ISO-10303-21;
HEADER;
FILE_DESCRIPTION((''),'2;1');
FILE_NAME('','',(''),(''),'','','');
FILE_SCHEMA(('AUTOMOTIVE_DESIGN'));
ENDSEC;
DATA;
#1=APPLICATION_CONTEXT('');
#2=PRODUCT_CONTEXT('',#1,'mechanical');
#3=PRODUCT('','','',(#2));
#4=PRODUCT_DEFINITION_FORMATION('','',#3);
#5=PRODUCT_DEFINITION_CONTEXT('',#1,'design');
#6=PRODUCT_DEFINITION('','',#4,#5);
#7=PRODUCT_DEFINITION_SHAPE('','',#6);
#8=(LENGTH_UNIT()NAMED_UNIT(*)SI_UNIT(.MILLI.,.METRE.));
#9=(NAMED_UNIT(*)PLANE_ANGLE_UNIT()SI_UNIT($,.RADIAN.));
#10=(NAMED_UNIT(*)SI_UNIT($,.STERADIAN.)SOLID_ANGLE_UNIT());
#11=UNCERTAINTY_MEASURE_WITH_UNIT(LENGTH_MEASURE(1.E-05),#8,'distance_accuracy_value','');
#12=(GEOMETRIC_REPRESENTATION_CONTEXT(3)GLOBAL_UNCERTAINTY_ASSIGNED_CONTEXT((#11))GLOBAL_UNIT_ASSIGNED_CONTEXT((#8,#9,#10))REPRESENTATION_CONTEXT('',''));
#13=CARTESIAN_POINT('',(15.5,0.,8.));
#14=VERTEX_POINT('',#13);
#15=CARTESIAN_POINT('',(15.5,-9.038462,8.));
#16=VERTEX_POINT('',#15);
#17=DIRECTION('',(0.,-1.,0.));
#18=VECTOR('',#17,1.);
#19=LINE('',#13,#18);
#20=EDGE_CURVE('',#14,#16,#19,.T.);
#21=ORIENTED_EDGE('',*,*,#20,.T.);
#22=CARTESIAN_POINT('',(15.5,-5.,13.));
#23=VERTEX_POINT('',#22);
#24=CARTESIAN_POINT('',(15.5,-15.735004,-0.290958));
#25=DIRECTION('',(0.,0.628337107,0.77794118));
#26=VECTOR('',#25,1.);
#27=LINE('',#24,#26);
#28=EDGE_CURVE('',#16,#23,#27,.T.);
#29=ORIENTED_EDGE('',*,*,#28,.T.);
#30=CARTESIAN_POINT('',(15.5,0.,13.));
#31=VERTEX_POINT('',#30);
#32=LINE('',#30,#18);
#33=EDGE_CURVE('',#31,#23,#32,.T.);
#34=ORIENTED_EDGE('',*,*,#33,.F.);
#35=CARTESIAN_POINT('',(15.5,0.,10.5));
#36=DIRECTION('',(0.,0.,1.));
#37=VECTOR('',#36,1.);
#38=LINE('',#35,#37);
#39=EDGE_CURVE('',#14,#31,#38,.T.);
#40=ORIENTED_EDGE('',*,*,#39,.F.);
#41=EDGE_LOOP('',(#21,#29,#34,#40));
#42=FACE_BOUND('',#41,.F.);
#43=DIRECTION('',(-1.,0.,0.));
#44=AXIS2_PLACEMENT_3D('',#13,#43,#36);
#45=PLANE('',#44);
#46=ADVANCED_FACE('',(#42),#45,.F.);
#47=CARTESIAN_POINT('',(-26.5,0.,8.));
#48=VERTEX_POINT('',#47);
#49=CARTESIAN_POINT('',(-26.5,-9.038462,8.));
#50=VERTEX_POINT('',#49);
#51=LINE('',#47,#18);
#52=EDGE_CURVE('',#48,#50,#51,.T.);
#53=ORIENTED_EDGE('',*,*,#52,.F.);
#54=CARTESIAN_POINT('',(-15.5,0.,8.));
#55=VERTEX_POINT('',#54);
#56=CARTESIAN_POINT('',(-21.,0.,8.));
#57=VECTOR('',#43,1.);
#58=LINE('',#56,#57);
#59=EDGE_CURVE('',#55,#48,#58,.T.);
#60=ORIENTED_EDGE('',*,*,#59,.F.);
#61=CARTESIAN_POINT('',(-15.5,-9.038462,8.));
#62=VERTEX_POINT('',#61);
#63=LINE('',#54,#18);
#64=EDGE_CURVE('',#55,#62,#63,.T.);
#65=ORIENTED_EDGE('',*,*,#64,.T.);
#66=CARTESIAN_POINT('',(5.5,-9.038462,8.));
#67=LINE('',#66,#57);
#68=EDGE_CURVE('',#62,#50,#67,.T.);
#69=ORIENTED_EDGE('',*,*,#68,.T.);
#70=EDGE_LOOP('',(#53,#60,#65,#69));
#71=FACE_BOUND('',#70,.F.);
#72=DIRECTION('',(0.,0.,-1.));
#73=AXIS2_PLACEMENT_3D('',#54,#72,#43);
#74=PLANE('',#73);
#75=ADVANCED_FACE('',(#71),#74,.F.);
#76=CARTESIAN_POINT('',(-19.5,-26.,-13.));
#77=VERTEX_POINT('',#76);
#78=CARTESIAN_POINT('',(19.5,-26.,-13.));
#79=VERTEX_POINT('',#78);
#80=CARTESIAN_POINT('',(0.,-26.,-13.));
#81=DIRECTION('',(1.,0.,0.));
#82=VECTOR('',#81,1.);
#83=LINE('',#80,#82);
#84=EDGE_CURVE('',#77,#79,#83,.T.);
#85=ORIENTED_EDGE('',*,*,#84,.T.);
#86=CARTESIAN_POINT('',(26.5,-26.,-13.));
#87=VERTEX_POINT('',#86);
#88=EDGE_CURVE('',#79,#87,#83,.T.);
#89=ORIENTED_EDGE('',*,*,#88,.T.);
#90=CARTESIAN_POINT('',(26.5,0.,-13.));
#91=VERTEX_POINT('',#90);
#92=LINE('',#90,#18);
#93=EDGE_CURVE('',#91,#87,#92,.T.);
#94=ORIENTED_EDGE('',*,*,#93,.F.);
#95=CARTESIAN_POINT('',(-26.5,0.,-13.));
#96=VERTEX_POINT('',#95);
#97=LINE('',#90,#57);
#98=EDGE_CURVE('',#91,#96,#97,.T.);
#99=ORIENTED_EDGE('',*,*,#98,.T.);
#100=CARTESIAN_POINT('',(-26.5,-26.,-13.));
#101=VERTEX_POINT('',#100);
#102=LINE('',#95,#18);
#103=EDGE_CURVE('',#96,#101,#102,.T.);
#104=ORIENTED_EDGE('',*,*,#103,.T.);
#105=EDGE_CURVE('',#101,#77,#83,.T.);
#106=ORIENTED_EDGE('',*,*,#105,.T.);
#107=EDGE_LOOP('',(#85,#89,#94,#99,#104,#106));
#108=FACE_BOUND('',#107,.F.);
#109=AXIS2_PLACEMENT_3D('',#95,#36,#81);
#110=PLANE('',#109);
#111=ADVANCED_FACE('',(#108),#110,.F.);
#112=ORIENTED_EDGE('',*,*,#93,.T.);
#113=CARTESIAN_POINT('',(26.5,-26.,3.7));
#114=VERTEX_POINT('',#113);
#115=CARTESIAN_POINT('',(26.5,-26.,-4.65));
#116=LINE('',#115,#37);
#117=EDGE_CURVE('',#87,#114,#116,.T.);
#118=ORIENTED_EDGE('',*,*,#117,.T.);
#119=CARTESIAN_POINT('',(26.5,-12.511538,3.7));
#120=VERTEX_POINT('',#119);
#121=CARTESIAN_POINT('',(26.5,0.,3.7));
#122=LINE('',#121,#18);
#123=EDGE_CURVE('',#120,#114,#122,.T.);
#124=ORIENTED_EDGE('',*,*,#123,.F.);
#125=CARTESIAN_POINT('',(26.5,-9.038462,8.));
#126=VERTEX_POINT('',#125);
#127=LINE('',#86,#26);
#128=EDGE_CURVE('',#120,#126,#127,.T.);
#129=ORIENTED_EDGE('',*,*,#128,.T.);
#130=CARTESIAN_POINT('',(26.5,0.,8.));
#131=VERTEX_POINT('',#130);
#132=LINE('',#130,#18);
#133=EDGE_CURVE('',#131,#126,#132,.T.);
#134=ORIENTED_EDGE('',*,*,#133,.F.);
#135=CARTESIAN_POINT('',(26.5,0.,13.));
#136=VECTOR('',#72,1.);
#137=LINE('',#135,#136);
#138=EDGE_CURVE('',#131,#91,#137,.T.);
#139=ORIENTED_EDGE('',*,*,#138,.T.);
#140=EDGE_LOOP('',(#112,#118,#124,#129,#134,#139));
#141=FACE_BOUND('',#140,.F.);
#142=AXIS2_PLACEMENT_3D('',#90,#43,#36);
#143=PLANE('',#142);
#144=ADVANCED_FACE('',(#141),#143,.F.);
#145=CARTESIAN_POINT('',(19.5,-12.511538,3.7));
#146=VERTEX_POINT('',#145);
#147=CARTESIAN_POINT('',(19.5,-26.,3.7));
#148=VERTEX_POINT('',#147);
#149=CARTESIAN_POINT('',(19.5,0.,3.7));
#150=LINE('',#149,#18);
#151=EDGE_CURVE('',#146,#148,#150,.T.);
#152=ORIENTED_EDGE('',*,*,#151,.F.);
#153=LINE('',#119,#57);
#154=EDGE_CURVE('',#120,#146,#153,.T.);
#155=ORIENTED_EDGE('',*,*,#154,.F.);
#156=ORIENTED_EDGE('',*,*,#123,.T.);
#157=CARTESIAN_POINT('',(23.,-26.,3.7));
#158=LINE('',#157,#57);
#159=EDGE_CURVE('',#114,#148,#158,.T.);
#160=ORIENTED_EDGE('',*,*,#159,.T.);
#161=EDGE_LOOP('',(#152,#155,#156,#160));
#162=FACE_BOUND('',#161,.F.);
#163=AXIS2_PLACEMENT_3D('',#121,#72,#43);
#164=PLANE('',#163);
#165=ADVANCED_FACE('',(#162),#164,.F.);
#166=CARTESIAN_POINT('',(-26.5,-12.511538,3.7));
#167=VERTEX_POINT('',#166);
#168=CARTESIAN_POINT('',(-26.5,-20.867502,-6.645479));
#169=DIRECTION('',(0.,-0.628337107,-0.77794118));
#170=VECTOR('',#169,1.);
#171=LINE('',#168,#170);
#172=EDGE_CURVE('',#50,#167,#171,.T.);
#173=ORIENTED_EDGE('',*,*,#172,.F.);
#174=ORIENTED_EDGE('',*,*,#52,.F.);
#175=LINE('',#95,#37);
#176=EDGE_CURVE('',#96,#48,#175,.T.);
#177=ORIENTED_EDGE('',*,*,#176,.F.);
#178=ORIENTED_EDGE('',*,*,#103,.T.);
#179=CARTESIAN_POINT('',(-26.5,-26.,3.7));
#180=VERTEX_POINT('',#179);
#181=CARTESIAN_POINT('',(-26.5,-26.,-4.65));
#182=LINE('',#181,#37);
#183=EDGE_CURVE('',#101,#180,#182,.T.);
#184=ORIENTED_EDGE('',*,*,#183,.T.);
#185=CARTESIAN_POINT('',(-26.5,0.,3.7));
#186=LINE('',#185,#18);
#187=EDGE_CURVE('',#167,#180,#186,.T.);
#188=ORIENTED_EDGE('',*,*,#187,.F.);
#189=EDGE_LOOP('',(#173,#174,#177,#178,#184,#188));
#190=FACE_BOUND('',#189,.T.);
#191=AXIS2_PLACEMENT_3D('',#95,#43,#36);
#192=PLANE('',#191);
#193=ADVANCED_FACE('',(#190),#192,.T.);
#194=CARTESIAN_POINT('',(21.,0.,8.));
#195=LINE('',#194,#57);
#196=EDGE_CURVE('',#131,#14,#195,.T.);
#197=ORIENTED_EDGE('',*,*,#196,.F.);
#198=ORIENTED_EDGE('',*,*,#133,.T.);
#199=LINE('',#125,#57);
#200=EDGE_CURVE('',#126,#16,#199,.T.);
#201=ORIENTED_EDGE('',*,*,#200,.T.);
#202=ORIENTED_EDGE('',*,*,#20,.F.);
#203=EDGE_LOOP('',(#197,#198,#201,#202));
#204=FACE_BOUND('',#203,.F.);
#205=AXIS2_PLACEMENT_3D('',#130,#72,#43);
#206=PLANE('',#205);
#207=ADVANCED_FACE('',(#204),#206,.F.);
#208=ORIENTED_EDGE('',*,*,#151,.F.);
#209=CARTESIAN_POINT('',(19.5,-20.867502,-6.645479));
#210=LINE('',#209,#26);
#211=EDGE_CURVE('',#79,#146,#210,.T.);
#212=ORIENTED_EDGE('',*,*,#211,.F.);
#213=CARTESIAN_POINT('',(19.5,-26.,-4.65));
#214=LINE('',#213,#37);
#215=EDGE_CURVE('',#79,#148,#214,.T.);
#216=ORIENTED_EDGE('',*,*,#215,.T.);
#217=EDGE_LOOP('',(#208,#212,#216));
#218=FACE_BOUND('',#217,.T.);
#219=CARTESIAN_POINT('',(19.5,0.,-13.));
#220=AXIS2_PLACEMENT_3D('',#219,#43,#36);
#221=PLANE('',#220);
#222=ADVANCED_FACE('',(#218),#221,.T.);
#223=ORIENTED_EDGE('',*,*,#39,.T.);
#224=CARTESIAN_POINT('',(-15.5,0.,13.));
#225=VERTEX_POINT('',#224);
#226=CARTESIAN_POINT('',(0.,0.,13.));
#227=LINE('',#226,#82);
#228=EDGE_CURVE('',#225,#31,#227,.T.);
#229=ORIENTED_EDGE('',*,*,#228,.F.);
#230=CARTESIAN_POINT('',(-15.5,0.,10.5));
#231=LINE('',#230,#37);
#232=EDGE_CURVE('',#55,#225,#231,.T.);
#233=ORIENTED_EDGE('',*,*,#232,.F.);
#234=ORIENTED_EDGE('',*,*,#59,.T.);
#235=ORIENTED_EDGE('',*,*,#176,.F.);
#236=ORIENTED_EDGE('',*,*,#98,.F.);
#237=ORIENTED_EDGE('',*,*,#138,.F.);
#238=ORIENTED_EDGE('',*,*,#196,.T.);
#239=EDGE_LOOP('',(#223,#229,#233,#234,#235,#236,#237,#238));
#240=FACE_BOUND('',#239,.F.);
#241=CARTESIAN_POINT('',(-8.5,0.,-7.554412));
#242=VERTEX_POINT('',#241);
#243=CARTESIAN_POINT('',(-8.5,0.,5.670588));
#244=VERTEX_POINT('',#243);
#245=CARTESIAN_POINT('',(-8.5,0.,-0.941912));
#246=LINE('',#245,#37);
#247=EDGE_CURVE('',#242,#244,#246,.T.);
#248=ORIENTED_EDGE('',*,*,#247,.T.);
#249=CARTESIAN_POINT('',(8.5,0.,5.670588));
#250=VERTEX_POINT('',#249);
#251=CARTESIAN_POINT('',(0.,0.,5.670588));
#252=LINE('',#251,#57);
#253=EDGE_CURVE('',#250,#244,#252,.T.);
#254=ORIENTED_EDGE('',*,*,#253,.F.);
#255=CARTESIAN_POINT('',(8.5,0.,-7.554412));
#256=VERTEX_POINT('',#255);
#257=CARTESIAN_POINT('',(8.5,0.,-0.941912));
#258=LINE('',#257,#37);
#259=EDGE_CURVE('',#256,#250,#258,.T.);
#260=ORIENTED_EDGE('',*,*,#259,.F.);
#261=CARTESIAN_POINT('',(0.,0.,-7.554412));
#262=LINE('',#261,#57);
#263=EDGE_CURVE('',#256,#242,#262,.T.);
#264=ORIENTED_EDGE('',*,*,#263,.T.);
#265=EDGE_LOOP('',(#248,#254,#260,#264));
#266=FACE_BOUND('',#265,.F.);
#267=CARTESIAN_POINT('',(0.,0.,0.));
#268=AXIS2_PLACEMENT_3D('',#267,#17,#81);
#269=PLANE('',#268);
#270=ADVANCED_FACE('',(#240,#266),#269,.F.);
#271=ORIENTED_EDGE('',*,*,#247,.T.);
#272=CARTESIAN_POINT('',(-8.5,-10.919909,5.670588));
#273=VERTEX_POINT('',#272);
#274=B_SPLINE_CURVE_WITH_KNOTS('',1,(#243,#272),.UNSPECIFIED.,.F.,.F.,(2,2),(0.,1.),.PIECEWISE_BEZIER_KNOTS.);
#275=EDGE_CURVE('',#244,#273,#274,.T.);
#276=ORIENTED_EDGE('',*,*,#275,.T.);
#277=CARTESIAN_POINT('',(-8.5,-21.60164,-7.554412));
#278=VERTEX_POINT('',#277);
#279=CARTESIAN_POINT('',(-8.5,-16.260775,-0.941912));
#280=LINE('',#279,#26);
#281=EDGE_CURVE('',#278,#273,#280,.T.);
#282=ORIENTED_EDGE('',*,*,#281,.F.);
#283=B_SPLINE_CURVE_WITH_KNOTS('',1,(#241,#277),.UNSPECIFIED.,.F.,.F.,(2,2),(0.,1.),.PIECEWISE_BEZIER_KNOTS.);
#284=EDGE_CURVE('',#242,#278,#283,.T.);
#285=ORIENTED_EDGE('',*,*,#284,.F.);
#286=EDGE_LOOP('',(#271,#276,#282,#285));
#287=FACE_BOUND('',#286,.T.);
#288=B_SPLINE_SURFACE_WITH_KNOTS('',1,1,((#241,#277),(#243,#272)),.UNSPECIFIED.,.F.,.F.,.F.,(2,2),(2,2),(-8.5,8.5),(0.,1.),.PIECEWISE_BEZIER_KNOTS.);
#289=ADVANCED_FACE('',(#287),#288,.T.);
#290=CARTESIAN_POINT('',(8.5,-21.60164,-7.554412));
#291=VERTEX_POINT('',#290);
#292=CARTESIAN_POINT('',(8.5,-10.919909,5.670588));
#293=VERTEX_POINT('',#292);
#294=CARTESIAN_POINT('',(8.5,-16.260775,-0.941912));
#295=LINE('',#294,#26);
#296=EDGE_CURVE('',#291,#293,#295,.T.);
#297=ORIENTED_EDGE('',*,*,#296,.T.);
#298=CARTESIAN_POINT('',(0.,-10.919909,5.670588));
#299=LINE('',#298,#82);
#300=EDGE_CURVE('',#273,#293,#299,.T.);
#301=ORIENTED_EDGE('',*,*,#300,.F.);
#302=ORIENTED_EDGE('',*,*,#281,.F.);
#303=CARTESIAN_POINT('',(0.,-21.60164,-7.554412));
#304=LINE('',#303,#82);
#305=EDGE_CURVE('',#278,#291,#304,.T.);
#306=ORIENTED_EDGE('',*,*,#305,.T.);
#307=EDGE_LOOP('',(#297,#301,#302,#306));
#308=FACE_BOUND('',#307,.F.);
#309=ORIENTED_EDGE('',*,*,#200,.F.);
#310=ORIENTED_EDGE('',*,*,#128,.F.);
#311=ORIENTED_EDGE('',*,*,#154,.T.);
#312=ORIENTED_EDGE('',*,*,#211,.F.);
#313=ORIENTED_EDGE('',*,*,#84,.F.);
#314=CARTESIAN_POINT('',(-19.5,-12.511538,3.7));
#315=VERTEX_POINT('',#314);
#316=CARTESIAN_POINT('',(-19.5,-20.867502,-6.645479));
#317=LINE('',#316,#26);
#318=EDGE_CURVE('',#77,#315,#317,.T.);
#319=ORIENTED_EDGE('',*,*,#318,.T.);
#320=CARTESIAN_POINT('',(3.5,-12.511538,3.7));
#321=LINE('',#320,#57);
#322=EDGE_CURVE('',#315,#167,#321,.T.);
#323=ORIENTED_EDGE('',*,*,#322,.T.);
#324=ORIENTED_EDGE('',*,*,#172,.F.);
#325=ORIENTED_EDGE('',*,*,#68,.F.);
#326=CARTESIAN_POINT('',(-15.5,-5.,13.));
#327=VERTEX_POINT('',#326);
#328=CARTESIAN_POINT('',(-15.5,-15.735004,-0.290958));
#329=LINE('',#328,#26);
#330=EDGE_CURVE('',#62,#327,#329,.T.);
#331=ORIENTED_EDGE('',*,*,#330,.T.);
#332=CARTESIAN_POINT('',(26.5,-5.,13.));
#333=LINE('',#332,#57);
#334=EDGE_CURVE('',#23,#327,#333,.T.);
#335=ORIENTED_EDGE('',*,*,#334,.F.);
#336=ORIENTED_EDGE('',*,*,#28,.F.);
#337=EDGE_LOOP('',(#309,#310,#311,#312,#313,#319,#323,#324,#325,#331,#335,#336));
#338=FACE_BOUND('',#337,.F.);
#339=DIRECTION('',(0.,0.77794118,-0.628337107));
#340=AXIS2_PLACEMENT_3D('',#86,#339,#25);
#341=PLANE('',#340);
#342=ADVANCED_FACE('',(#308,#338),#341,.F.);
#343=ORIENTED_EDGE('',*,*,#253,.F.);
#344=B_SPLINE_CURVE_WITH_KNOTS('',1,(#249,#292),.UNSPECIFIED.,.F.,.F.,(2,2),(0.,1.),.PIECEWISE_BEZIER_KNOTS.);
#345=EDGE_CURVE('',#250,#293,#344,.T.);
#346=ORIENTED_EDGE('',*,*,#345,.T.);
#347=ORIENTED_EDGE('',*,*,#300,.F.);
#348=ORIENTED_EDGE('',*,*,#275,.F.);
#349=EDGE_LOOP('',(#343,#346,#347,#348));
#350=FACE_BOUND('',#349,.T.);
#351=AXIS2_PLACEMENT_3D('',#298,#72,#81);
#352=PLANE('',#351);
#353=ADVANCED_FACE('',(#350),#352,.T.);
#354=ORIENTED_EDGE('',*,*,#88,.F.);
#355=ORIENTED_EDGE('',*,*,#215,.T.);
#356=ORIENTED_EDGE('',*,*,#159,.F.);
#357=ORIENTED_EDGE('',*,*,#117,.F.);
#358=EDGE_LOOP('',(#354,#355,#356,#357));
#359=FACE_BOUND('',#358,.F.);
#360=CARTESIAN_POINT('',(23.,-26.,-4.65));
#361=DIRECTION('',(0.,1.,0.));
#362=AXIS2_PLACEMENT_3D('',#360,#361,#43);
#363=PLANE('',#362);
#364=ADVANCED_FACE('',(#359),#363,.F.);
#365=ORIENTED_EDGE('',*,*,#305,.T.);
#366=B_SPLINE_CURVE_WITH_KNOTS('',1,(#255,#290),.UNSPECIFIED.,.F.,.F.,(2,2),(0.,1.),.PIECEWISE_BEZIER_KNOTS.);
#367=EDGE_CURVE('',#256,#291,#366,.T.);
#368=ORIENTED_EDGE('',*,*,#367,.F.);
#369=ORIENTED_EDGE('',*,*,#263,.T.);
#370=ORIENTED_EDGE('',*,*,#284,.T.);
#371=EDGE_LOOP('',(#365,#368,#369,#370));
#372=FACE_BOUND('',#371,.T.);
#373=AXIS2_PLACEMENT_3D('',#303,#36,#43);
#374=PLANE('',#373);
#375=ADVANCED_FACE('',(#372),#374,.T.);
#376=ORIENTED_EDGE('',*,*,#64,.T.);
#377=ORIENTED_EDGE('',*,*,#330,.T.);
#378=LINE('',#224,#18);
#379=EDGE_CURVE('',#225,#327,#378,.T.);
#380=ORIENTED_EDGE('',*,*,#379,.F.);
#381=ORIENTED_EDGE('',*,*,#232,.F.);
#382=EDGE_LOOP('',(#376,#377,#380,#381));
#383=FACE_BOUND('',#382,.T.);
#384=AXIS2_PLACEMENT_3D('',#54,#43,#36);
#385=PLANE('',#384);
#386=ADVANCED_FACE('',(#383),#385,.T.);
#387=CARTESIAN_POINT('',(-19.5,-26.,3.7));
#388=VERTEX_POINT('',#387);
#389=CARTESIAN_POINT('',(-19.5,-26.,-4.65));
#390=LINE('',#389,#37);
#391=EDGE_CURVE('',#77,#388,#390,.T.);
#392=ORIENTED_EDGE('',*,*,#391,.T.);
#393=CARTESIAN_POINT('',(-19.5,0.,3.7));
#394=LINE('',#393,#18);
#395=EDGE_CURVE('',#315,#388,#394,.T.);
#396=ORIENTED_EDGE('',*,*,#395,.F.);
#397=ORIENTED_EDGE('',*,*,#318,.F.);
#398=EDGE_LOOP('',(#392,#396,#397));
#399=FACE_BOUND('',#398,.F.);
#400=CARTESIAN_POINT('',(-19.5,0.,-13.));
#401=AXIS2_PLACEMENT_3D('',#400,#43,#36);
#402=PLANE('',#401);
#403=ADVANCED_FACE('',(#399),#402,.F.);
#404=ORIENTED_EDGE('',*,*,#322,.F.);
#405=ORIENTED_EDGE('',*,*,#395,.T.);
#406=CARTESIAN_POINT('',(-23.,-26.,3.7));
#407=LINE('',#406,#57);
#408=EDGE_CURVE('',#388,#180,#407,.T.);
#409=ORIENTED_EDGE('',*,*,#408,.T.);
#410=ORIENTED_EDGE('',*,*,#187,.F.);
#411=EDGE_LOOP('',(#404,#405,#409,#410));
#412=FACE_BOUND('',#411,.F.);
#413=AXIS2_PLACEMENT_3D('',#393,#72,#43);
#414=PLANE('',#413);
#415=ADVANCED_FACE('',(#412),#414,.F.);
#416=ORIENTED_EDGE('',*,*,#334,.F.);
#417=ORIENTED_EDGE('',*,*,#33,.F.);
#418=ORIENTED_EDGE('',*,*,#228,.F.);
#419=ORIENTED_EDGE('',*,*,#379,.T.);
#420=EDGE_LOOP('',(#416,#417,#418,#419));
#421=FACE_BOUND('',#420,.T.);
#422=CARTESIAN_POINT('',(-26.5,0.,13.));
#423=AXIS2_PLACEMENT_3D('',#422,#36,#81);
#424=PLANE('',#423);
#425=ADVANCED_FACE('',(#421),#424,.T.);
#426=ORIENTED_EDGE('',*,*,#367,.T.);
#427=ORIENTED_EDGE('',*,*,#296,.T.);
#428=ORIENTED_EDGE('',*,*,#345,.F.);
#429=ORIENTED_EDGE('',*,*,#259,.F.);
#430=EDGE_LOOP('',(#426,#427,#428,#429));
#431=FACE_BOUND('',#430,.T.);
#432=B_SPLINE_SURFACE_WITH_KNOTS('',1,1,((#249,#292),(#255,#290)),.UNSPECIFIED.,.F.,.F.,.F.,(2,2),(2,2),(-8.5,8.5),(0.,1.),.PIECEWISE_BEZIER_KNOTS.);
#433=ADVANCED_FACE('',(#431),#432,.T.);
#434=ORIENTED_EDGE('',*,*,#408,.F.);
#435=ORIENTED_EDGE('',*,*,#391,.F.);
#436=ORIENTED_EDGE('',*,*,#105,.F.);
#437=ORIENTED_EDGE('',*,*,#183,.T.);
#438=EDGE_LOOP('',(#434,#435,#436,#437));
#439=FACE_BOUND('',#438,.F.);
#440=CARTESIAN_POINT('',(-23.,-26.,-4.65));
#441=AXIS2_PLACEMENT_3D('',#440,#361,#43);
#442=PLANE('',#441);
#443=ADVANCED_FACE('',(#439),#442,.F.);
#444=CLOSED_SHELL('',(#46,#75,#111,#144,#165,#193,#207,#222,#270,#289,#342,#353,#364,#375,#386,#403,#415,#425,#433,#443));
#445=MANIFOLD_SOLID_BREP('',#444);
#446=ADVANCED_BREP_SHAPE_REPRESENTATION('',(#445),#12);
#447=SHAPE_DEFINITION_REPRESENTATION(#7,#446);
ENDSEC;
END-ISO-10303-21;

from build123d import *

# Parameters (mm, degrees)
F0_W     = 53
F0_H     = 26
F1_DEPTH = 26
F3_DEPTH = 202.1
F4_W     = 7
F4_H     = 16.7
F5_DEPTH = 26
F6_W     = 11
F6_H     = 5
F7_DEPTH = 25
F9_W     = 17
F9_H     = 13.2250000635
F8_W     = 17
F8_H     = 17


with BuildPart() as f1:
    # F0 (on Front) → F1 (new body)
    with BuildSketch(Plane.XZ):
        Rectangle(F0_W, F0_H)
    extrude(amount=F1_DEPTH)

    # F2 (on face) → F3 (cut)
    with BuildSketch(Plane.YZ.offset(26.5)):
        Polygon((-26, -13), (-5, 13), (-26, 13), align=None)
    extrude(amount=-F3_DEPTH, mode=Mode.SUBTRACT)

    # F4 (on face) → F5 (join)
    with BuildSketch(Plane(origin=(0, 0, 0), x_dir=(-1, 0, 0), z_dir=(0, 1, 0))):
        with Locations((-23, -4.65)):
            Rectangle(F4_W, F4_H)
        with Locations((23, -4.65)):
            Rectangle(F4_W, F4_H)
    extrude(amount=-F5_DEPTH)

    # F6 (on face) → F7 (cut)
    with BuildSketch(Plane(origin=(0, 0, 0), x_dir=(-1, 0, 0), z_dir=(0, 1, 0))):
        with Locations((-21, 10.5)):
            Rectangle(F6_W, F6_H)
        with Locations((21, 10.5)):
            Rectangle(F6_W, F6_H)
    extrude(amount=-F7_DEPTH, mode=Mode.SUBTRACT)

    # F9 (on face) → F10 section 0
    with BuildSketch(Plane(origin=(0, 0, 0), x_dir=(-1, 0, 0), z_dir=(0, 1, 0))):
        with Locations((0, -0.9419117068)):
            Rectangle(F9_W, F9_H)
    # F8 (on face) → F10 section 1
    with BuildSketch(Plane(origin=(0, -9.3804834378, 7.5765443151), x_dir=(1, 0, 0), z_dir=(0, -0.7779411802, 0.6283371071))):
        with Locations((0, -10.9500001269)):
            Rectangle(F8_W, F8_H)
    loft(mode=Mode.SUBTRACT)


solid = f1.part
